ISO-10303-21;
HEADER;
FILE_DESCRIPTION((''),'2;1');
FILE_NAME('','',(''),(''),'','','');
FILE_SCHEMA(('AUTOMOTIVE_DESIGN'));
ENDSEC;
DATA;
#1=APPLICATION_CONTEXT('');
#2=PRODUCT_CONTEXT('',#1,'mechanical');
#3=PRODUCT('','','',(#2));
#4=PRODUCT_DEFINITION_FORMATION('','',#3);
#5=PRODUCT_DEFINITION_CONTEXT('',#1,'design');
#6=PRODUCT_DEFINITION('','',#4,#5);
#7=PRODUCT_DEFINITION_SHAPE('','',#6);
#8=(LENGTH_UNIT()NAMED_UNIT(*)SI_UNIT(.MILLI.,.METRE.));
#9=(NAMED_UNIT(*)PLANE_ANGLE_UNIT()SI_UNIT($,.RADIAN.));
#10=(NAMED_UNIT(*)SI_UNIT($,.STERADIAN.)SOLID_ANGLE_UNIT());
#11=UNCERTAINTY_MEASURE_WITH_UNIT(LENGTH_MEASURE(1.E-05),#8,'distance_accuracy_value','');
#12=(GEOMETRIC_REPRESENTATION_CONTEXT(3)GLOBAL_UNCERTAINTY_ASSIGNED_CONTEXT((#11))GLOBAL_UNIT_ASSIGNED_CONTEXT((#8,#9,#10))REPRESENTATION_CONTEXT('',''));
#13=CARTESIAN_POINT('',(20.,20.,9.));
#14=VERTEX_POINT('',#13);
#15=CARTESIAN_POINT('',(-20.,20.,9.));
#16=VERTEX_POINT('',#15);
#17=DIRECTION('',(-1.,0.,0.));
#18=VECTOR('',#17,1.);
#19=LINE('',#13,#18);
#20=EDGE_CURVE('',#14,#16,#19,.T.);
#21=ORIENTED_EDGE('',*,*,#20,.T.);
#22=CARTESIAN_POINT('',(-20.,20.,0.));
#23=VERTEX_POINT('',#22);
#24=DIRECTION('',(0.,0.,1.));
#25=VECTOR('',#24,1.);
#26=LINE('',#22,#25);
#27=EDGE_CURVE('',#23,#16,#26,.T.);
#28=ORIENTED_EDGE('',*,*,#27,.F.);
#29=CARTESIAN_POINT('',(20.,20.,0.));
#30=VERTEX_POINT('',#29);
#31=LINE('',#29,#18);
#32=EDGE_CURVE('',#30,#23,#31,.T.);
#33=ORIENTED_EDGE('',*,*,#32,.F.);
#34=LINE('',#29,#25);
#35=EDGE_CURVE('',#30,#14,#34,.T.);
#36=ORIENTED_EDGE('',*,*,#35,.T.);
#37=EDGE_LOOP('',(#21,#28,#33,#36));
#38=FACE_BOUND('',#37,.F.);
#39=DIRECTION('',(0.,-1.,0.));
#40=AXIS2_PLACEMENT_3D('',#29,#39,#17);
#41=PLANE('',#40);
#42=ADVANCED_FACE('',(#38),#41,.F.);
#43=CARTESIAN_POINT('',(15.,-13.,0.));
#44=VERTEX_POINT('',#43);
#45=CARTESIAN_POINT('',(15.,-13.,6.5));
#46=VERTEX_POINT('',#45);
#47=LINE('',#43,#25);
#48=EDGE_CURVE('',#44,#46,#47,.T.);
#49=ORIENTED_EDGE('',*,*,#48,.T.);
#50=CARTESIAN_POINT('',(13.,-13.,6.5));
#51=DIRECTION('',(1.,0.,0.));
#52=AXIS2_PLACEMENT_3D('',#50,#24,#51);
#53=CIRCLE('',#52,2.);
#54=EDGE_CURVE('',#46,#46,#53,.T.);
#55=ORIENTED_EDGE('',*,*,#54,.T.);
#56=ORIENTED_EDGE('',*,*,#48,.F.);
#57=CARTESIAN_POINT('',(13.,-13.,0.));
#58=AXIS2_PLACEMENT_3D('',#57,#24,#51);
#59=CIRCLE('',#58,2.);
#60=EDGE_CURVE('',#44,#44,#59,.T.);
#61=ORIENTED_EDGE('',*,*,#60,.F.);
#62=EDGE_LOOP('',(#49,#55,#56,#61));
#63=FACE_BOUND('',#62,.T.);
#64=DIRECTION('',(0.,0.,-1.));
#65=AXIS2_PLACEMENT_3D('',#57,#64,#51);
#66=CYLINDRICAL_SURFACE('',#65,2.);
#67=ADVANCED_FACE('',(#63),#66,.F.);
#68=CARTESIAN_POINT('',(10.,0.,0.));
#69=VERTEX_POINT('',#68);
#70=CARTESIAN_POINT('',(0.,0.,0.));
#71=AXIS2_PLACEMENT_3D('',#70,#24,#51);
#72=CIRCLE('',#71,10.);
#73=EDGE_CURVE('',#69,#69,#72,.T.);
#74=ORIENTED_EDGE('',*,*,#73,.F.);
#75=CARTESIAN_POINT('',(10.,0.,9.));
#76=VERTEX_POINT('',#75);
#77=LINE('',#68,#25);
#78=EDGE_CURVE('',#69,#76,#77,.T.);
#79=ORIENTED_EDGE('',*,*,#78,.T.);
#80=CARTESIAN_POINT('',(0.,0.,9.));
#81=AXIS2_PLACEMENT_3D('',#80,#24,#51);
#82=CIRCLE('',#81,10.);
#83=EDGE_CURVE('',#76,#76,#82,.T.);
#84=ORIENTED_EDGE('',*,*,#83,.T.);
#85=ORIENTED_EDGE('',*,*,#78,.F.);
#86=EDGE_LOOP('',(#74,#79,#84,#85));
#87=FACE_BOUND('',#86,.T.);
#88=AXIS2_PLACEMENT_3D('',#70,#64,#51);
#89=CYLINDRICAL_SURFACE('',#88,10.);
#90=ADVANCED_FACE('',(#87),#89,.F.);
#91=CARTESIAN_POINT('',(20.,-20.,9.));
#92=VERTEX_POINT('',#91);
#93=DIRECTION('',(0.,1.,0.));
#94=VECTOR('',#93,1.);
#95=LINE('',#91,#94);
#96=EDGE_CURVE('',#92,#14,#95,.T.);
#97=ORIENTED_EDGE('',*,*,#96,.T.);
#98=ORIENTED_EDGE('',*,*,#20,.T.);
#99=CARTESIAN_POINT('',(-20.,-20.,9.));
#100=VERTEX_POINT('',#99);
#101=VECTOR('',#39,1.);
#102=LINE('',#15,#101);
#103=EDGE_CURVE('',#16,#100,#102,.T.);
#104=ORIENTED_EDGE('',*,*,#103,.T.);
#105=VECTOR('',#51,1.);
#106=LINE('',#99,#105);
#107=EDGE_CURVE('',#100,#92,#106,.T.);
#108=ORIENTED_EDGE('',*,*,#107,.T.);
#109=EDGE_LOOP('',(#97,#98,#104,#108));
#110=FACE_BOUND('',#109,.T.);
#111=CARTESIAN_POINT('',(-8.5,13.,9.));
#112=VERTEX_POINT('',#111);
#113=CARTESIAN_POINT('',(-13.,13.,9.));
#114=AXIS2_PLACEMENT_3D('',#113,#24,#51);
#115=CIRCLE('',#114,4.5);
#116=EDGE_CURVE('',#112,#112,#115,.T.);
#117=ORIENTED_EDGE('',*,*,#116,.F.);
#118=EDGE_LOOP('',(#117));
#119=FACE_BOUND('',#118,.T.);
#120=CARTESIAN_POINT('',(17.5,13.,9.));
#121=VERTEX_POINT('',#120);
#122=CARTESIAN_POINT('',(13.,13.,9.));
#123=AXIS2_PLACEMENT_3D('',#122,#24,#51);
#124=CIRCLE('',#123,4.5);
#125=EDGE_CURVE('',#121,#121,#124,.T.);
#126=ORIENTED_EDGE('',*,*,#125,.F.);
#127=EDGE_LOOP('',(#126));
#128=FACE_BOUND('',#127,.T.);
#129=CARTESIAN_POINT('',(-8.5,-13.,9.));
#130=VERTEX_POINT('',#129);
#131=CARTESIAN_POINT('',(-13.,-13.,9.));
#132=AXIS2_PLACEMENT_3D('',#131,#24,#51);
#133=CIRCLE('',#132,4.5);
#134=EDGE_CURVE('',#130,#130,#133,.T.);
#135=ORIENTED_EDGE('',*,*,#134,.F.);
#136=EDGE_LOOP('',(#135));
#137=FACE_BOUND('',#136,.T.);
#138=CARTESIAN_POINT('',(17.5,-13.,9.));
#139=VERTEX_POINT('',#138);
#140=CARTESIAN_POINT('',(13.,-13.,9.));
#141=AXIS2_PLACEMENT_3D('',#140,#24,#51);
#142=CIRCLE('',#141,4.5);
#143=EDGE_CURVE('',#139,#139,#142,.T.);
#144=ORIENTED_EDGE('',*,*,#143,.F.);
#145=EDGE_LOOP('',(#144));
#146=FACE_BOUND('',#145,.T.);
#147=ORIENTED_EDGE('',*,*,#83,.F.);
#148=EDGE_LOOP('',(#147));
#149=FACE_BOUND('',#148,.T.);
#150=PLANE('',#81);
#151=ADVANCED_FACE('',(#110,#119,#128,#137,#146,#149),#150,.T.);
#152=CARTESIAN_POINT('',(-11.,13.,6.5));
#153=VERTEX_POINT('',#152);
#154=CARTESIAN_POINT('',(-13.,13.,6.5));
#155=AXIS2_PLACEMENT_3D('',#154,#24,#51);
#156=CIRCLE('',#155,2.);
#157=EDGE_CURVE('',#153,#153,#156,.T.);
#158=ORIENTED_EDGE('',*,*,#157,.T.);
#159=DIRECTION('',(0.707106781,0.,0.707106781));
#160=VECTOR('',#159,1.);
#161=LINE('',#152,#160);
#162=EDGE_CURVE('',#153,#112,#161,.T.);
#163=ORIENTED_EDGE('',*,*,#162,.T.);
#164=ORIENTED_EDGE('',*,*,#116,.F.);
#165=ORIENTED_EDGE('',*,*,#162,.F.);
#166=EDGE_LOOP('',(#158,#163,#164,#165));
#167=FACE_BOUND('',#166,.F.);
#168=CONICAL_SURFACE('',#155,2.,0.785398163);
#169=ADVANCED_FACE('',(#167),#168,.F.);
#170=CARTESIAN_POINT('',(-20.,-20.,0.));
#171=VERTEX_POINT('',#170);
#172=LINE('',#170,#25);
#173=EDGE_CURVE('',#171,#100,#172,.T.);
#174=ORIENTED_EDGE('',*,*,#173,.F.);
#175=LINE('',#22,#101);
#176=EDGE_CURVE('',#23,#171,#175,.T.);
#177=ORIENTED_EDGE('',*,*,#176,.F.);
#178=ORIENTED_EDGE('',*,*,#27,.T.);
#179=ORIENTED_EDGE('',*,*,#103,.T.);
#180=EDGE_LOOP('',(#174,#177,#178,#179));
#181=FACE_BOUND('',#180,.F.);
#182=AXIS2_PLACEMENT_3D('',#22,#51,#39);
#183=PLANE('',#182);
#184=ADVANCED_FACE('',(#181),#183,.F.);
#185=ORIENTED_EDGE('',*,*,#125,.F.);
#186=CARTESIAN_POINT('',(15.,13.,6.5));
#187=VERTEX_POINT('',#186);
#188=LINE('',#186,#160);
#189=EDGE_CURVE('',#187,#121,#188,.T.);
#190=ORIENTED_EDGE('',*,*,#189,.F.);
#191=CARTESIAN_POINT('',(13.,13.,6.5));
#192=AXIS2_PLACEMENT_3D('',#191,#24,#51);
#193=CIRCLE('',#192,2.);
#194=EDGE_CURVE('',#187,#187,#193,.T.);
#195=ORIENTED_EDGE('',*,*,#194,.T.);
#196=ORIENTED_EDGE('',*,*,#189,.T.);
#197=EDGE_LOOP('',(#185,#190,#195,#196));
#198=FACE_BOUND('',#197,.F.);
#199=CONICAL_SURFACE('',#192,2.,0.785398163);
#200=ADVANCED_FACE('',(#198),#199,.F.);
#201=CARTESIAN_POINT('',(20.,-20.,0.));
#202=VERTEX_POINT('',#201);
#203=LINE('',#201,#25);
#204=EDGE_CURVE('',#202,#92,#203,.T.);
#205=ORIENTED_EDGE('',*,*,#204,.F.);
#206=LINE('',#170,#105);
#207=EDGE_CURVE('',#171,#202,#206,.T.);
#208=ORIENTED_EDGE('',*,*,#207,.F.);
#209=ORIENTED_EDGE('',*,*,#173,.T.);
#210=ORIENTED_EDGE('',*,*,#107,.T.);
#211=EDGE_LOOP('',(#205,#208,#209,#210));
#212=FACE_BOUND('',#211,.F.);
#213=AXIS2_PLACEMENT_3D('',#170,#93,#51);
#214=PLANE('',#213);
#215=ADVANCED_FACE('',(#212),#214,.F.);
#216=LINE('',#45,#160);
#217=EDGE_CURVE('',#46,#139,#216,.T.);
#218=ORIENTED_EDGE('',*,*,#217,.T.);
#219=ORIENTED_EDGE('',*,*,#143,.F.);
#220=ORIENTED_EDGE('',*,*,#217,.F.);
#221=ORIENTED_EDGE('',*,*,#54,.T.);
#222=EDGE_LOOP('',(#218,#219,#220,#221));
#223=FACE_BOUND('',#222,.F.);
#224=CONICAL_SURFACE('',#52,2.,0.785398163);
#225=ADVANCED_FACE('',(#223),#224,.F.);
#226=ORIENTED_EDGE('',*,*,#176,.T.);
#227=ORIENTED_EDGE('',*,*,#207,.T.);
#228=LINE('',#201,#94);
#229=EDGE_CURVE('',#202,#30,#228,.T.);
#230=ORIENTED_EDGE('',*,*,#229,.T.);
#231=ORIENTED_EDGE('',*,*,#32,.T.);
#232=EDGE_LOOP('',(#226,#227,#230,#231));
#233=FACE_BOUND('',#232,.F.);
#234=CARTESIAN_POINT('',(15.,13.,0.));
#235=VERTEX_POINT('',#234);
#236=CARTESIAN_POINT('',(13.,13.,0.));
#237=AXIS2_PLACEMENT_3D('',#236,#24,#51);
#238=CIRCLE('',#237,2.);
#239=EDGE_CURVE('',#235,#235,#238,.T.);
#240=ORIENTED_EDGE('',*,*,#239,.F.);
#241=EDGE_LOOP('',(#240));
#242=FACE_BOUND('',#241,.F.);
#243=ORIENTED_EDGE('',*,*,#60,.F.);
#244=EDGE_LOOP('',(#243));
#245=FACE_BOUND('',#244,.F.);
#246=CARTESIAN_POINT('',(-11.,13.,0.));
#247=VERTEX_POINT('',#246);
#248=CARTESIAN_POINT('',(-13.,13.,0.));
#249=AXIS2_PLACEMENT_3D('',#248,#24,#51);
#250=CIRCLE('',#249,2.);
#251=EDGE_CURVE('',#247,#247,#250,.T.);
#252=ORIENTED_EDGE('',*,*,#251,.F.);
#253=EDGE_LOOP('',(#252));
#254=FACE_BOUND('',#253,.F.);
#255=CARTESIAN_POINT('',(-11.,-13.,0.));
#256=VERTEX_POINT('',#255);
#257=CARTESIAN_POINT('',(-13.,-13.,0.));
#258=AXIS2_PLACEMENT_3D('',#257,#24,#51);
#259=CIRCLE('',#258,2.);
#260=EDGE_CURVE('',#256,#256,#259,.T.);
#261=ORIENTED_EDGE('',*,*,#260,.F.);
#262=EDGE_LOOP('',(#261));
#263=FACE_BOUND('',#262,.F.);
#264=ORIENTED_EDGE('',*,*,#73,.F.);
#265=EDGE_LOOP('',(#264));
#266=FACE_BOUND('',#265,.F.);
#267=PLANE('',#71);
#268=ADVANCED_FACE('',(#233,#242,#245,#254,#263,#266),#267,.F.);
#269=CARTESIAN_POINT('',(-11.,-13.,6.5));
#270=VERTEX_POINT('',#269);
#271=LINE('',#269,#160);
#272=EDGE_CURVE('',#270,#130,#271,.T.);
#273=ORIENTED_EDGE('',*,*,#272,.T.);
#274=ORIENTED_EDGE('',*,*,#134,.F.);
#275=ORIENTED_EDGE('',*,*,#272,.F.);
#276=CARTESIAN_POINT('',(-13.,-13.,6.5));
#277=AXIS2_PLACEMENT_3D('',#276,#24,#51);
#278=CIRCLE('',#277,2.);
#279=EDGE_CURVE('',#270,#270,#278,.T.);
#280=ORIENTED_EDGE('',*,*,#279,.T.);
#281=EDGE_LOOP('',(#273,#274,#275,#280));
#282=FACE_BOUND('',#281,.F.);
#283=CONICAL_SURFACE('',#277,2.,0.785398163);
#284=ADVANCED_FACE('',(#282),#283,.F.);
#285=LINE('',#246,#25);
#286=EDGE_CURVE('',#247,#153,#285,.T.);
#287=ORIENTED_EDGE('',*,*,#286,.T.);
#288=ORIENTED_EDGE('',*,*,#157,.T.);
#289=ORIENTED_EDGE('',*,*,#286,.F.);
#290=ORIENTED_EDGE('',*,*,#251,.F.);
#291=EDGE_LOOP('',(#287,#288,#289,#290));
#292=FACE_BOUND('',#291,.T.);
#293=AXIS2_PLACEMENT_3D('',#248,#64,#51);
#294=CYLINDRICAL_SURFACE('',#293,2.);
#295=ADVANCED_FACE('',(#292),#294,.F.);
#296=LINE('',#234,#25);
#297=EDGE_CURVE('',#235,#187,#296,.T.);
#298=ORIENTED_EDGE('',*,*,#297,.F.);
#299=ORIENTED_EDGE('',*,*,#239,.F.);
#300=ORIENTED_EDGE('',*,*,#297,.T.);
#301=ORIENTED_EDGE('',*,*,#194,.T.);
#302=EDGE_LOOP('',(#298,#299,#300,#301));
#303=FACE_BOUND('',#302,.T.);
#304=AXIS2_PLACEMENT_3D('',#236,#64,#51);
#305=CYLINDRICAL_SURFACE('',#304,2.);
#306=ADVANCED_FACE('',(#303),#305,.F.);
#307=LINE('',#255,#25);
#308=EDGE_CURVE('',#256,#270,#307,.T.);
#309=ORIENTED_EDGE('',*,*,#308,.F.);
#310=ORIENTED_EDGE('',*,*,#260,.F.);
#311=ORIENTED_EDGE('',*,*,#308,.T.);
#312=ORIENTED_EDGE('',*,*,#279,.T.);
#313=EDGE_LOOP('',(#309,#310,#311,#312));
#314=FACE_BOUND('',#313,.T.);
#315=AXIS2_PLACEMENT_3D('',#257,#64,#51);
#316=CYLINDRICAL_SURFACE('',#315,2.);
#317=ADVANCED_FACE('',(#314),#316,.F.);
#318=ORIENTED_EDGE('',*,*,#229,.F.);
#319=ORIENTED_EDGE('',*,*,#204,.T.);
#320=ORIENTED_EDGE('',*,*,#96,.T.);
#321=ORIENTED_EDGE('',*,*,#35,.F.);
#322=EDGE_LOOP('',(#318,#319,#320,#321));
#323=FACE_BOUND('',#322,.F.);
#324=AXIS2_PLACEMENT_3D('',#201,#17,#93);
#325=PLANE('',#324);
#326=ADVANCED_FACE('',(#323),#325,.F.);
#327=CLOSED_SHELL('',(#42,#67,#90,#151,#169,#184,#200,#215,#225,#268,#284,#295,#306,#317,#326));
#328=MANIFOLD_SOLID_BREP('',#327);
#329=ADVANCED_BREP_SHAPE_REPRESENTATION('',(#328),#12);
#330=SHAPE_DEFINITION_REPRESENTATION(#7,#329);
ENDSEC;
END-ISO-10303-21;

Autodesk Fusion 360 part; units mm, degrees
sketch "Sketch1" plane through (0, 0, 0) normal (0, 0, 1) x (1, 0, 0)
  line L0 (20, 20) -> (-20, 20)
  line L1 (-20, 20) -> (-20, -20)
  line L2 (-20, -20) -> (20, -20)
  line L3 (20, -20) -> (20, 20)
  line L4 (20, 20) -> (-20, -20) construction
  line L5 (-20, 20) -> (20, -20) construction
  circle A0 centre (0, 0) radius 10
  line L6 (13, -13) -> (-13, -13) construction
  line L7 (-13, -13) -> (-13, 13) construction
  line L8 (-13, 13) -> (13, 13) construction
  line L9 (13, 13) -> (13, -13) construction
  line L10 (13, -13) -> (-13, 13) construction
  line L11 (-13, -13) -> (13, 13) construction
  circle A1 centre (-13, 13) radius 2
  circle A2 centre (13, 13) radius 2
  circle A3 centre (13, -13) radius 2
  circle A4 centre (-13, -13) radius 2
  dimension "d1" = 40
  dimension "d2" = 40
  dimension "d3" = 20
  dimension "d6" = 26
  dimension "d7" = 26
  dimension "d8" = 4
  dimension "d9" = 4
  dimension "d10" = 4
  dimension "d11" = 4
extrude "Extrude1" add sketch "Sketch1" along normal blind 9
chamfer "Chamfer1" distance 2.5 angle 45 4 edges at (-14.8647, 13.7232, 9) (-14.8647, -12.2768, 9) (11.1353, -12.2768, 9) (11.1353, 13.7232, 9)
equation "d9 = d8"
equation "d10 = d8"
equation "d11 = d8"
